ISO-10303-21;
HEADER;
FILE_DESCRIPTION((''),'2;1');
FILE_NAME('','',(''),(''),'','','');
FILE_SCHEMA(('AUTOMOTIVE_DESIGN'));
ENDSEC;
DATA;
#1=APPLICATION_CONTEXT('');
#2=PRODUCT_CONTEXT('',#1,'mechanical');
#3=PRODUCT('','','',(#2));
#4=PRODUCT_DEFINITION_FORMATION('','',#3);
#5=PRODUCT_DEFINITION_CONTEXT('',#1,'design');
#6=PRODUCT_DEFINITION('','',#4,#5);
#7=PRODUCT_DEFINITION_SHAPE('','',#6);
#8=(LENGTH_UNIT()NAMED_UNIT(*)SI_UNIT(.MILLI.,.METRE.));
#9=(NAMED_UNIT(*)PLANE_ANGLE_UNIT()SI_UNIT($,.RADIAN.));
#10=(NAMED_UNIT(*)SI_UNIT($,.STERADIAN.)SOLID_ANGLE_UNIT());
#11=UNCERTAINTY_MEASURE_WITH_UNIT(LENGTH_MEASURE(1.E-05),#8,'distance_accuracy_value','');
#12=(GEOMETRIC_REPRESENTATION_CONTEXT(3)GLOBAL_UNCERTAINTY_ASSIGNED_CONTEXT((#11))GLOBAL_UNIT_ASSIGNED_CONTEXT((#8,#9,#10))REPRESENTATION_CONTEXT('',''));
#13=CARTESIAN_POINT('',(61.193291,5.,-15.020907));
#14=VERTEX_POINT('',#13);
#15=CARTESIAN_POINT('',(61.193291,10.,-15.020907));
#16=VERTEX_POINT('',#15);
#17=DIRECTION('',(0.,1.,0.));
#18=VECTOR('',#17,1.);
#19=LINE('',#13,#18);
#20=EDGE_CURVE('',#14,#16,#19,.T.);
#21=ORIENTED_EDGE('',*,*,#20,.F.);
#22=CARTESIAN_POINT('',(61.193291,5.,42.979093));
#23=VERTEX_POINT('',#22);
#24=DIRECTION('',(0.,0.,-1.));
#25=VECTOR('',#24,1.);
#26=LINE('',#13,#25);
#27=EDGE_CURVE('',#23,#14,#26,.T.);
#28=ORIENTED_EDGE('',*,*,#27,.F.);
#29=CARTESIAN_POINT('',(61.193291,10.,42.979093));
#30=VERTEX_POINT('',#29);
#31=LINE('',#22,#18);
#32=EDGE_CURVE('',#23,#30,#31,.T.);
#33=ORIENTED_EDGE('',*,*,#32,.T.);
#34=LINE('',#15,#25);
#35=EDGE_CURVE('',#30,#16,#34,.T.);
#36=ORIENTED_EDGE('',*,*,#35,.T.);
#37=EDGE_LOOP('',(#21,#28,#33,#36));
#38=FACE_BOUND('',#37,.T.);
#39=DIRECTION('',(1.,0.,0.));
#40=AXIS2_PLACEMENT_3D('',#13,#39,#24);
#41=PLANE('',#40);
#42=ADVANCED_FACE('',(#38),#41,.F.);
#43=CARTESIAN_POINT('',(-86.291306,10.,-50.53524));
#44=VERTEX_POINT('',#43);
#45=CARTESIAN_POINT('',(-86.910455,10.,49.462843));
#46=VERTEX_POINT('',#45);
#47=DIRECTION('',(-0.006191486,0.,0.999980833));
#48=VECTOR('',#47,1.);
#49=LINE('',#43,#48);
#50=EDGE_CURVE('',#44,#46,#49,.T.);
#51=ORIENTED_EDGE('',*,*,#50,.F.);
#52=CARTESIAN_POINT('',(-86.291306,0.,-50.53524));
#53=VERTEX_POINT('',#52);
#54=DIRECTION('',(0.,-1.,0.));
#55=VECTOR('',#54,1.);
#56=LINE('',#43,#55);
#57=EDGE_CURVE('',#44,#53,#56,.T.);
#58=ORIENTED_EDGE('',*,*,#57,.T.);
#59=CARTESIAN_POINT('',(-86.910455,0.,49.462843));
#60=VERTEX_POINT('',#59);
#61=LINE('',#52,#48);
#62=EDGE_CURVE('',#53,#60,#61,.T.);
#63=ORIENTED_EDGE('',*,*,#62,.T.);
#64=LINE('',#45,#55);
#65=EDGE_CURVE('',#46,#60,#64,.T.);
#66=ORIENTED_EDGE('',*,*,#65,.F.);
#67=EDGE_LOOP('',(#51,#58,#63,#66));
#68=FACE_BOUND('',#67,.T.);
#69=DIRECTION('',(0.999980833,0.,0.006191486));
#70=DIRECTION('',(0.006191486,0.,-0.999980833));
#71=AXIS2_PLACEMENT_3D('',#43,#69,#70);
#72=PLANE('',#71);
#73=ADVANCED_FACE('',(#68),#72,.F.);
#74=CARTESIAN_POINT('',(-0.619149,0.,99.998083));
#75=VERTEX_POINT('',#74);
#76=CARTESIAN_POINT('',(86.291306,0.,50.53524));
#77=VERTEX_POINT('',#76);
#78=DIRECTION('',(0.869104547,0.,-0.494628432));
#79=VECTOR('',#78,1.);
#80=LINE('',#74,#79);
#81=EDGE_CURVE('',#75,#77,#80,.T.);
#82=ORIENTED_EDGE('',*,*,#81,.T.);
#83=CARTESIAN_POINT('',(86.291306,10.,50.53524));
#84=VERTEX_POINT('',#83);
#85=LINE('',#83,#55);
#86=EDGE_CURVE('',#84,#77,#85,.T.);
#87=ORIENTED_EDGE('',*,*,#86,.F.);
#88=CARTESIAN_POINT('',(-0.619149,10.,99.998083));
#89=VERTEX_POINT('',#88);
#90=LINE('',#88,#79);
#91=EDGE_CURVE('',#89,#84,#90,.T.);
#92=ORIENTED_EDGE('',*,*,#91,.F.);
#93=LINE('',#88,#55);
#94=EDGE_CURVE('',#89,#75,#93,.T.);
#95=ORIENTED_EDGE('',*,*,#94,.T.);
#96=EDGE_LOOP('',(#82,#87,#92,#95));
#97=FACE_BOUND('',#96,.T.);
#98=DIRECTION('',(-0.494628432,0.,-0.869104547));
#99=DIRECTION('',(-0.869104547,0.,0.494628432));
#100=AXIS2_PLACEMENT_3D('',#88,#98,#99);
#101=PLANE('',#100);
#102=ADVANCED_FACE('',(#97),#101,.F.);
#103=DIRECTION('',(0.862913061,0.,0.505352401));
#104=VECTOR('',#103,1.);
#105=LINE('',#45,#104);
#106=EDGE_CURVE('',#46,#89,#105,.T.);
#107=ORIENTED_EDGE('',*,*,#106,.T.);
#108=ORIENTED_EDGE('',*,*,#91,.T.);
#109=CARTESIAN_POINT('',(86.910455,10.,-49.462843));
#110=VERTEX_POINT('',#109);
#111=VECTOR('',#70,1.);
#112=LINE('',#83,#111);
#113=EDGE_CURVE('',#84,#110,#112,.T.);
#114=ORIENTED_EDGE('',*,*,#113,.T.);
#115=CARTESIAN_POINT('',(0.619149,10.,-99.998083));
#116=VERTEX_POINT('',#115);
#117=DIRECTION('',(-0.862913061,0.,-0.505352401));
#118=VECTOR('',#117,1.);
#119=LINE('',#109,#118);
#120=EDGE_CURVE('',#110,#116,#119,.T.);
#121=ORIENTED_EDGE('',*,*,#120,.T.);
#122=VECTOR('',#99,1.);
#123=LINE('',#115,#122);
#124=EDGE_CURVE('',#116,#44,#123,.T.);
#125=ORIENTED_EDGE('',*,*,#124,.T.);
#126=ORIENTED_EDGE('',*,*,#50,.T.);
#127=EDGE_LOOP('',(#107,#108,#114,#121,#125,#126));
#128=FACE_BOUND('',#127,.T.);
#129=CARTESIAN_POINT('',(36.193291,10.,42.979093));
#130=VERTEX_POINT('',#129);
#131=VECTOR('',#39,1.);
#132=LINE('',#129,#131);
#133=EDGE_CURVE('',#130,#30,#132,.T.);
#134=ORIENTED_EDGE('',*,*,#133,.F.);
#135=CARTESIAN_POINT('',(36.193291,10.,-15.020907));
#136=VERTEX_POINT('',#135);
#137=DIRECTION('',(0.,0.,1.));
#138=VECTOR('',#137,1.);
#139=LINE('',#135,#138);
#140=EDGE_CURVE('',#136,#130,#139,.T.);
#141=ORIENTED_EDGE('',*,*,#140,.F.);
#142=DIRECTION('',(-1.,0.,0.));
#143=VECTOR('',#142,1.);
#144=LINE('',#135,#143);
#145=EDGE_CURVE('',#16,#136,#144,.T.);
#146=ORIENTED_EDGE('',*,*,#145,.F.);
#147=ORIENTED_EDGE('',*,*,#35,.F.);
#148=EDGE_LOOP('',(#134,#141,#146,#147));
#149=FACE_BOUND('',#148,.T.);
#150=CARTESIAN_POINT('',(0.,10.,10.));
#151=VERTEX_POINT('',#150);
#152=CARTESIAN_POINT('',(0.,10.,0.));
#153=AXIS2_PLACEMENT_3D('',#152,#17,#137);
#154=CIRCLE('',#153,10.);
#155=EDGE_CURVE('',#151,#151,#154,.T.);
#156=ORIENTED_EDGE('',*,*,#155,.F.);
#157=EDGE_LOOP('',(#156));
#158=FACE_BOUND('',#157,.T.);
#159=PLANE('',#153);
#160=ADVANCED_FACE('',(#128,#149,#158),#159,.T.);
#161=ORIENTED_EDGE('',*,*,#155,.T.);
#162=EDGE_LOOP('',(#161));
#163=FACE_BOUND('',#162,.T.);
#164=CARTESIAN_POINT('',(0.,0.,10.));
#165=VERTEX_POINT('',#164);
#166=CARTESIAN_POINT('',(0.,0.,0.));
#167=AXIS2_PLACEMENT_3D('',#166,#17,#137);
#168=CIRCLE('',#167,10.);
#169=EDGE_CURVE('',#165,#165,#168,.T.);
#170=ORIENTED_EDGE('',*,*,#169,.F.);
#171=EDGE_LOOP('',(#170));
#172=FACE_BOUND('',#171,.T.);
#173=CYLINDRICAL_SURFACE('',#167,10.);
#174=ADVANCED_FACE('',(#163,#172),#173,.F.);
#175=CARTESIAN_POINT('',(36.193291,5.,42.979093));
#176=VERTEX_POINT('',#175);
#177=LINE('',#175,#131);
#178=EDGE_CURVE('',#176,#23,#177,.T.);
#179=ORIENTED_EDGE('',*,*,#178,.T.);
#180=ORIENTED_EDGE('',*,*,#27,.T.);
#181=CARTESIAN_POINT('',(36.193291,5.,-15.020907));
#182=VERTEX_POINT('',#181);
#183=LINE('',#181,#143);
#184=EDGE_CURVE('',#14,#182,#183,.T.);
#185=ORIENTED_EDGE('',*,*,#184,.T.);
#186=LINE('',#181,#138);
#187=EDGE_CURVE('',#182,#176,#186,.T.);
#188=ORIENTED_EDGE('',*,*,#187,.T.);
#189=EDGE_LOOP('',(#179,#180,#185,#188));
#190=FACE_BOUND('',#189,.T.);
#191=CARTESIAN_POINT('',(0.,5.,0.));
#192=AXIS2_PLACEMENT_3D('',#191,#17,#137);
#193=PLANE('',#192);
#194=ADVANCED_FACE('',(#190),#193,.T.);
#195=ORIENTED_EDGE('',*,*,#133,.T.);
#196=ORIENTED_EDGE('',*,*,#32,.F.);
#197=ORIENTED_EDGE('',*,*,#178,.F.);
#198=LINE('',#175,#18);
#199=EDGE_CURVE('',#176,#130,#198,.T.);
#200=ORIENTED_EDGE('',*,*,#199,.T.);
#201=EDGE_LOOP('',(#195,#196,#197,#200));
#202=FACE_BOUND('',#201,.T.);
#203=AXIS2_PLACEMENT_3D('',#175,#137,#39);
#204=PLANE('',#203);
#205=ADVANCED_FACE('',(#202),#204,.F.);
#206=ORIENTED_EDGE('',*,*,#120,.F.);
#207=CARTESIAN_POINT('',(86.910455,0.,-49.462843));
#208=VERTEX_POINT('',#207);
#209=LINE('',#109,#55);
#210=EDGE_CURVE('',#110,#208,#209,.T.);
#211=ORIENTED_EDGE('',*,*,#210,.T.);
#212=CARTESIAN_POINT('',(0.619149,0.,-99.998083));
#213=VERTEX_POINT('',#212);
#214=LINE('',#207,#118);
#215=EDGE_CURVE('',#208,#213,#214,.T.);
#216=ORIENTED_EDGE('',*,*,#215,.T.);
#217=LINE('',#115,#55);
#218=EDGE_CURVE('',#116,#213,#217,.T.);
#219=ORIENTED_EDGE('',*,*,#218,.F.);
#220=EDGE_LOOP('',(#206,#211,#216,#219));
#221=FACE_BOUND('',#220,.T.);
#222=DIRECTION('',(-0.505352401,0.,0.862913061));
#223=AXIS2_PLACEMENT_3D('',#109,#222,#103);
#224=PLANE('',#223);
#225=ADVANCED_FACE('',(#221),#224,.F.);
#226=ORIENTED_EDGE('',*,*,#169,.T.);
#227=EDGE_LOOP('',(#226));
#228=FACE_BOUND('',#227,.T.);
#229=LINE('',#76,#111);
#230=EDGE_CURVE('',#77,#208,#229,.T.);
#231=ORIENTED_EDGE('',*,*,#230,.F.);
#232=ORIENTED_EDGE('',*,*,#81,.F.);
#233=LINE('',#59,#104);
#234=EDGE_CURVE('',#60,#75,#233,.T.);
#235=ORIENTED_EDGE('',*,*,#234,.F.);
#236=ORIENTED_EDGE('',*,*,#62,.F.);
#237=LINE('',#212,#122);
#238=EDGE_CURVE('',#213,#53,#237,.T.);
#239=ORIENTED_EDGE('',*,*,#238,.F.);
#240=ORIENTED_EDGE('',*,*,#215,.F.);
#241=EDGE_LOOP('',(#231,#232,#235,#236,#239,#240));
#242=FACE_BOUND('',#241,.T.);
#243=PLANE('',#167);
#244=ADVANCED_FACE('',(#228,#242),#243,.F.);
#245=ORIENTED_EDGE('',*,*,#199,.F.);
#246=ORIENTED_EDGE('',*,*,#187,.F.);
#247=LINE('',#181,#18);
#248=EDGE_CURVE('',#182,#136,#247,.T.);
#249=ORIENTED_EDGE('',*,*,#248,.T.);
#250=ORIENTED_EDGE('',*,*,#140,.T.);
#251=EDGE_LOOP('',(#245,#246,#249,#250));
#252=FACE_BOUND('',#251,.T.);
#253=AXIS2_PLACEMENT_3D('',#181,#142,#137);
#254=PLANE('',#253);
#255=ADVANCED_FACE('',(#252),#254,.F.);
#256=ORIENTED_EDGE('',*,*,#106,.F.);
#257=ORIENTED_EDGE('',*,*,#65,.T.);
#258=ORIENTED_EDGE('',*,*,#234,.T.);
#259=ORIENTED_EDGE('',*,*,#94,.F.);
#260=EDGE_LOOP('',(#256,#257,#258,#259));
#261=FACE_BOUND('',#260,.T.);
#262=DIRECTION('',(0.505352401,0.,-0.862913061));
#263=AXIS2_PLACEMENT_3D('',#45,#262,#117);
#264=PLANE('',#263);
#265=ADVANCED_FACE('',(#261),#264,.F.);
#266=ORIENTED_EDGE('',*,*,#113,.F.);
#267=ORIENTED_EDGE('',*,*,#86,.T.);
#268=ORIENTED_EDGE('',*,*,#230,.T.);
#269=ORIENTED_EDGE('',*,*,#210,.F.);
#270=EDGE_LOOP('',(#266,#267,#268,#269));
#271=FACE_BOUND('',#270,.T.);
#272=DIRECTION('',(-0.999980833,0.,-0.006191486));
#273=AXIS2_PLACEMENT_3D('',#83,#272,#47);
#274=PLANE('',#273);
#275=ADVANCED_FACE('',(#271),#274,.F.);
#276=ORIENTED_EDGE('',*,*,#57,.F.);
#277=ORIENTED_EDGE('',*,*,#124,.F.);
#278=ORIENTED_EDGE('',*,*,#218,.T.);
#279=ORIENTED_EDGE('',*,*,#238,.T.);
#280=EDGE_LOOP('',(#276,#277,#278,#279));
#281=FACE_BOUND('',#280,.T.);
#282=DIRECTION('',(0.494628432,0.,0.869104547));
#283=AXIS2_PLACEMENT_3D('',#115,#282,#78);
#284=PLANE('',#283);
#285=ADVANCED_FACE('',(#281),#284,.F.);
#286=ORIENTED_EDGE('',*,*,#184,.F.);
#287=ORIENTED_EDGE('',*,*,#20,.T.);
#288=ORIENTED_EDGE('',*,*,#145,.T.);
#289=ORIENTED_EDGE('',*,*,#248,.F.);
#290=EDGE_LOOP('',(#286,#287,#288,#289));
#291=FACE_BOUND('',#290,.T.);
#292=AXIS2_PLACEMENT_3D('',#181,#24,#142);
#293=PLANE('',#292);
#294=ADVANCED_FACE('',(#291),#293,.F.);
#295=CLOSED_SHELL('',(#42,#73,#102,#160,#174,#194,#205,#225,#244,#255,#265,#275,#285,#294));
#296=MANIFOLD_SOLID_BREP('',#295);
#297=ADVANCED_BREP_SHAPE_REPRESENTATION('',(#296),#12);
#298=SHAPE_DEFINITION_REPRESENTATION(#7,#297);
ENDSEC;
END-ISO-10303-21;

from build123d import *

# Parameters (mm, degrees)
SALIENTE_EXTRUIR1_DEPTH = 10
CROQUIS2_R              = 10
CORTAR_EXTRUIR1_DEPTH   = 10
CROQUIS3_W              = 25
CROQUIS3_H              = 58
CORTAR_EXTRUIR2_DEPTH   = 5


with BuildPart() as part:
    # Croquis1 → Saliente-Extruir1 (new body)
    with BuildSketch(Plane(origin=(0, 0, 0), x_dir=(1, 0, 0), z_dir=(0, 1, 0))):
        Polygon((-86.291306126, 50.535240052), (-86.910454734, -49.462843205), (-0.619148608, -99.998083257), (86.291306126, -50.535240052), (86.910454734, 49.462843205), (0.619148608, 99.998083257), align=None)
    extrude(amount=SALIENTE_EXTRUIR1_DEPTH)

    # Croquis2 → Cortar-Extruir1 (cut)
    with BuildSketch(Plane(origin=(0, 10, 0), x_dir=(1, 0, 0), z_dir=(0, 1, 0))):
        with Locations(Location((0, 0, 0), (0, 0, 270))):
            Circle(CROQUIS2_R)
    extrude(amount=-CORTAR_EXTRUIR1_DEPTH, mode=Mode.SUBTRACT)

    # Croquis3 → Cortar-Extruir2 (cut)
    with BuildSketch(Plane(origin=(0, 10, 0), x_dir=(1, 0, 0), z_dir=(0, 1, 0))):
        with Locations((48.693290604, -13.979093197)):
            Rectangle(CROQUIS3_W, CROQUIS3_H)
    extrude(amount=-CORTAR_EXTRUIR2_DEPTH, mode=Mode.SUBTRACT)


solid = part.part
